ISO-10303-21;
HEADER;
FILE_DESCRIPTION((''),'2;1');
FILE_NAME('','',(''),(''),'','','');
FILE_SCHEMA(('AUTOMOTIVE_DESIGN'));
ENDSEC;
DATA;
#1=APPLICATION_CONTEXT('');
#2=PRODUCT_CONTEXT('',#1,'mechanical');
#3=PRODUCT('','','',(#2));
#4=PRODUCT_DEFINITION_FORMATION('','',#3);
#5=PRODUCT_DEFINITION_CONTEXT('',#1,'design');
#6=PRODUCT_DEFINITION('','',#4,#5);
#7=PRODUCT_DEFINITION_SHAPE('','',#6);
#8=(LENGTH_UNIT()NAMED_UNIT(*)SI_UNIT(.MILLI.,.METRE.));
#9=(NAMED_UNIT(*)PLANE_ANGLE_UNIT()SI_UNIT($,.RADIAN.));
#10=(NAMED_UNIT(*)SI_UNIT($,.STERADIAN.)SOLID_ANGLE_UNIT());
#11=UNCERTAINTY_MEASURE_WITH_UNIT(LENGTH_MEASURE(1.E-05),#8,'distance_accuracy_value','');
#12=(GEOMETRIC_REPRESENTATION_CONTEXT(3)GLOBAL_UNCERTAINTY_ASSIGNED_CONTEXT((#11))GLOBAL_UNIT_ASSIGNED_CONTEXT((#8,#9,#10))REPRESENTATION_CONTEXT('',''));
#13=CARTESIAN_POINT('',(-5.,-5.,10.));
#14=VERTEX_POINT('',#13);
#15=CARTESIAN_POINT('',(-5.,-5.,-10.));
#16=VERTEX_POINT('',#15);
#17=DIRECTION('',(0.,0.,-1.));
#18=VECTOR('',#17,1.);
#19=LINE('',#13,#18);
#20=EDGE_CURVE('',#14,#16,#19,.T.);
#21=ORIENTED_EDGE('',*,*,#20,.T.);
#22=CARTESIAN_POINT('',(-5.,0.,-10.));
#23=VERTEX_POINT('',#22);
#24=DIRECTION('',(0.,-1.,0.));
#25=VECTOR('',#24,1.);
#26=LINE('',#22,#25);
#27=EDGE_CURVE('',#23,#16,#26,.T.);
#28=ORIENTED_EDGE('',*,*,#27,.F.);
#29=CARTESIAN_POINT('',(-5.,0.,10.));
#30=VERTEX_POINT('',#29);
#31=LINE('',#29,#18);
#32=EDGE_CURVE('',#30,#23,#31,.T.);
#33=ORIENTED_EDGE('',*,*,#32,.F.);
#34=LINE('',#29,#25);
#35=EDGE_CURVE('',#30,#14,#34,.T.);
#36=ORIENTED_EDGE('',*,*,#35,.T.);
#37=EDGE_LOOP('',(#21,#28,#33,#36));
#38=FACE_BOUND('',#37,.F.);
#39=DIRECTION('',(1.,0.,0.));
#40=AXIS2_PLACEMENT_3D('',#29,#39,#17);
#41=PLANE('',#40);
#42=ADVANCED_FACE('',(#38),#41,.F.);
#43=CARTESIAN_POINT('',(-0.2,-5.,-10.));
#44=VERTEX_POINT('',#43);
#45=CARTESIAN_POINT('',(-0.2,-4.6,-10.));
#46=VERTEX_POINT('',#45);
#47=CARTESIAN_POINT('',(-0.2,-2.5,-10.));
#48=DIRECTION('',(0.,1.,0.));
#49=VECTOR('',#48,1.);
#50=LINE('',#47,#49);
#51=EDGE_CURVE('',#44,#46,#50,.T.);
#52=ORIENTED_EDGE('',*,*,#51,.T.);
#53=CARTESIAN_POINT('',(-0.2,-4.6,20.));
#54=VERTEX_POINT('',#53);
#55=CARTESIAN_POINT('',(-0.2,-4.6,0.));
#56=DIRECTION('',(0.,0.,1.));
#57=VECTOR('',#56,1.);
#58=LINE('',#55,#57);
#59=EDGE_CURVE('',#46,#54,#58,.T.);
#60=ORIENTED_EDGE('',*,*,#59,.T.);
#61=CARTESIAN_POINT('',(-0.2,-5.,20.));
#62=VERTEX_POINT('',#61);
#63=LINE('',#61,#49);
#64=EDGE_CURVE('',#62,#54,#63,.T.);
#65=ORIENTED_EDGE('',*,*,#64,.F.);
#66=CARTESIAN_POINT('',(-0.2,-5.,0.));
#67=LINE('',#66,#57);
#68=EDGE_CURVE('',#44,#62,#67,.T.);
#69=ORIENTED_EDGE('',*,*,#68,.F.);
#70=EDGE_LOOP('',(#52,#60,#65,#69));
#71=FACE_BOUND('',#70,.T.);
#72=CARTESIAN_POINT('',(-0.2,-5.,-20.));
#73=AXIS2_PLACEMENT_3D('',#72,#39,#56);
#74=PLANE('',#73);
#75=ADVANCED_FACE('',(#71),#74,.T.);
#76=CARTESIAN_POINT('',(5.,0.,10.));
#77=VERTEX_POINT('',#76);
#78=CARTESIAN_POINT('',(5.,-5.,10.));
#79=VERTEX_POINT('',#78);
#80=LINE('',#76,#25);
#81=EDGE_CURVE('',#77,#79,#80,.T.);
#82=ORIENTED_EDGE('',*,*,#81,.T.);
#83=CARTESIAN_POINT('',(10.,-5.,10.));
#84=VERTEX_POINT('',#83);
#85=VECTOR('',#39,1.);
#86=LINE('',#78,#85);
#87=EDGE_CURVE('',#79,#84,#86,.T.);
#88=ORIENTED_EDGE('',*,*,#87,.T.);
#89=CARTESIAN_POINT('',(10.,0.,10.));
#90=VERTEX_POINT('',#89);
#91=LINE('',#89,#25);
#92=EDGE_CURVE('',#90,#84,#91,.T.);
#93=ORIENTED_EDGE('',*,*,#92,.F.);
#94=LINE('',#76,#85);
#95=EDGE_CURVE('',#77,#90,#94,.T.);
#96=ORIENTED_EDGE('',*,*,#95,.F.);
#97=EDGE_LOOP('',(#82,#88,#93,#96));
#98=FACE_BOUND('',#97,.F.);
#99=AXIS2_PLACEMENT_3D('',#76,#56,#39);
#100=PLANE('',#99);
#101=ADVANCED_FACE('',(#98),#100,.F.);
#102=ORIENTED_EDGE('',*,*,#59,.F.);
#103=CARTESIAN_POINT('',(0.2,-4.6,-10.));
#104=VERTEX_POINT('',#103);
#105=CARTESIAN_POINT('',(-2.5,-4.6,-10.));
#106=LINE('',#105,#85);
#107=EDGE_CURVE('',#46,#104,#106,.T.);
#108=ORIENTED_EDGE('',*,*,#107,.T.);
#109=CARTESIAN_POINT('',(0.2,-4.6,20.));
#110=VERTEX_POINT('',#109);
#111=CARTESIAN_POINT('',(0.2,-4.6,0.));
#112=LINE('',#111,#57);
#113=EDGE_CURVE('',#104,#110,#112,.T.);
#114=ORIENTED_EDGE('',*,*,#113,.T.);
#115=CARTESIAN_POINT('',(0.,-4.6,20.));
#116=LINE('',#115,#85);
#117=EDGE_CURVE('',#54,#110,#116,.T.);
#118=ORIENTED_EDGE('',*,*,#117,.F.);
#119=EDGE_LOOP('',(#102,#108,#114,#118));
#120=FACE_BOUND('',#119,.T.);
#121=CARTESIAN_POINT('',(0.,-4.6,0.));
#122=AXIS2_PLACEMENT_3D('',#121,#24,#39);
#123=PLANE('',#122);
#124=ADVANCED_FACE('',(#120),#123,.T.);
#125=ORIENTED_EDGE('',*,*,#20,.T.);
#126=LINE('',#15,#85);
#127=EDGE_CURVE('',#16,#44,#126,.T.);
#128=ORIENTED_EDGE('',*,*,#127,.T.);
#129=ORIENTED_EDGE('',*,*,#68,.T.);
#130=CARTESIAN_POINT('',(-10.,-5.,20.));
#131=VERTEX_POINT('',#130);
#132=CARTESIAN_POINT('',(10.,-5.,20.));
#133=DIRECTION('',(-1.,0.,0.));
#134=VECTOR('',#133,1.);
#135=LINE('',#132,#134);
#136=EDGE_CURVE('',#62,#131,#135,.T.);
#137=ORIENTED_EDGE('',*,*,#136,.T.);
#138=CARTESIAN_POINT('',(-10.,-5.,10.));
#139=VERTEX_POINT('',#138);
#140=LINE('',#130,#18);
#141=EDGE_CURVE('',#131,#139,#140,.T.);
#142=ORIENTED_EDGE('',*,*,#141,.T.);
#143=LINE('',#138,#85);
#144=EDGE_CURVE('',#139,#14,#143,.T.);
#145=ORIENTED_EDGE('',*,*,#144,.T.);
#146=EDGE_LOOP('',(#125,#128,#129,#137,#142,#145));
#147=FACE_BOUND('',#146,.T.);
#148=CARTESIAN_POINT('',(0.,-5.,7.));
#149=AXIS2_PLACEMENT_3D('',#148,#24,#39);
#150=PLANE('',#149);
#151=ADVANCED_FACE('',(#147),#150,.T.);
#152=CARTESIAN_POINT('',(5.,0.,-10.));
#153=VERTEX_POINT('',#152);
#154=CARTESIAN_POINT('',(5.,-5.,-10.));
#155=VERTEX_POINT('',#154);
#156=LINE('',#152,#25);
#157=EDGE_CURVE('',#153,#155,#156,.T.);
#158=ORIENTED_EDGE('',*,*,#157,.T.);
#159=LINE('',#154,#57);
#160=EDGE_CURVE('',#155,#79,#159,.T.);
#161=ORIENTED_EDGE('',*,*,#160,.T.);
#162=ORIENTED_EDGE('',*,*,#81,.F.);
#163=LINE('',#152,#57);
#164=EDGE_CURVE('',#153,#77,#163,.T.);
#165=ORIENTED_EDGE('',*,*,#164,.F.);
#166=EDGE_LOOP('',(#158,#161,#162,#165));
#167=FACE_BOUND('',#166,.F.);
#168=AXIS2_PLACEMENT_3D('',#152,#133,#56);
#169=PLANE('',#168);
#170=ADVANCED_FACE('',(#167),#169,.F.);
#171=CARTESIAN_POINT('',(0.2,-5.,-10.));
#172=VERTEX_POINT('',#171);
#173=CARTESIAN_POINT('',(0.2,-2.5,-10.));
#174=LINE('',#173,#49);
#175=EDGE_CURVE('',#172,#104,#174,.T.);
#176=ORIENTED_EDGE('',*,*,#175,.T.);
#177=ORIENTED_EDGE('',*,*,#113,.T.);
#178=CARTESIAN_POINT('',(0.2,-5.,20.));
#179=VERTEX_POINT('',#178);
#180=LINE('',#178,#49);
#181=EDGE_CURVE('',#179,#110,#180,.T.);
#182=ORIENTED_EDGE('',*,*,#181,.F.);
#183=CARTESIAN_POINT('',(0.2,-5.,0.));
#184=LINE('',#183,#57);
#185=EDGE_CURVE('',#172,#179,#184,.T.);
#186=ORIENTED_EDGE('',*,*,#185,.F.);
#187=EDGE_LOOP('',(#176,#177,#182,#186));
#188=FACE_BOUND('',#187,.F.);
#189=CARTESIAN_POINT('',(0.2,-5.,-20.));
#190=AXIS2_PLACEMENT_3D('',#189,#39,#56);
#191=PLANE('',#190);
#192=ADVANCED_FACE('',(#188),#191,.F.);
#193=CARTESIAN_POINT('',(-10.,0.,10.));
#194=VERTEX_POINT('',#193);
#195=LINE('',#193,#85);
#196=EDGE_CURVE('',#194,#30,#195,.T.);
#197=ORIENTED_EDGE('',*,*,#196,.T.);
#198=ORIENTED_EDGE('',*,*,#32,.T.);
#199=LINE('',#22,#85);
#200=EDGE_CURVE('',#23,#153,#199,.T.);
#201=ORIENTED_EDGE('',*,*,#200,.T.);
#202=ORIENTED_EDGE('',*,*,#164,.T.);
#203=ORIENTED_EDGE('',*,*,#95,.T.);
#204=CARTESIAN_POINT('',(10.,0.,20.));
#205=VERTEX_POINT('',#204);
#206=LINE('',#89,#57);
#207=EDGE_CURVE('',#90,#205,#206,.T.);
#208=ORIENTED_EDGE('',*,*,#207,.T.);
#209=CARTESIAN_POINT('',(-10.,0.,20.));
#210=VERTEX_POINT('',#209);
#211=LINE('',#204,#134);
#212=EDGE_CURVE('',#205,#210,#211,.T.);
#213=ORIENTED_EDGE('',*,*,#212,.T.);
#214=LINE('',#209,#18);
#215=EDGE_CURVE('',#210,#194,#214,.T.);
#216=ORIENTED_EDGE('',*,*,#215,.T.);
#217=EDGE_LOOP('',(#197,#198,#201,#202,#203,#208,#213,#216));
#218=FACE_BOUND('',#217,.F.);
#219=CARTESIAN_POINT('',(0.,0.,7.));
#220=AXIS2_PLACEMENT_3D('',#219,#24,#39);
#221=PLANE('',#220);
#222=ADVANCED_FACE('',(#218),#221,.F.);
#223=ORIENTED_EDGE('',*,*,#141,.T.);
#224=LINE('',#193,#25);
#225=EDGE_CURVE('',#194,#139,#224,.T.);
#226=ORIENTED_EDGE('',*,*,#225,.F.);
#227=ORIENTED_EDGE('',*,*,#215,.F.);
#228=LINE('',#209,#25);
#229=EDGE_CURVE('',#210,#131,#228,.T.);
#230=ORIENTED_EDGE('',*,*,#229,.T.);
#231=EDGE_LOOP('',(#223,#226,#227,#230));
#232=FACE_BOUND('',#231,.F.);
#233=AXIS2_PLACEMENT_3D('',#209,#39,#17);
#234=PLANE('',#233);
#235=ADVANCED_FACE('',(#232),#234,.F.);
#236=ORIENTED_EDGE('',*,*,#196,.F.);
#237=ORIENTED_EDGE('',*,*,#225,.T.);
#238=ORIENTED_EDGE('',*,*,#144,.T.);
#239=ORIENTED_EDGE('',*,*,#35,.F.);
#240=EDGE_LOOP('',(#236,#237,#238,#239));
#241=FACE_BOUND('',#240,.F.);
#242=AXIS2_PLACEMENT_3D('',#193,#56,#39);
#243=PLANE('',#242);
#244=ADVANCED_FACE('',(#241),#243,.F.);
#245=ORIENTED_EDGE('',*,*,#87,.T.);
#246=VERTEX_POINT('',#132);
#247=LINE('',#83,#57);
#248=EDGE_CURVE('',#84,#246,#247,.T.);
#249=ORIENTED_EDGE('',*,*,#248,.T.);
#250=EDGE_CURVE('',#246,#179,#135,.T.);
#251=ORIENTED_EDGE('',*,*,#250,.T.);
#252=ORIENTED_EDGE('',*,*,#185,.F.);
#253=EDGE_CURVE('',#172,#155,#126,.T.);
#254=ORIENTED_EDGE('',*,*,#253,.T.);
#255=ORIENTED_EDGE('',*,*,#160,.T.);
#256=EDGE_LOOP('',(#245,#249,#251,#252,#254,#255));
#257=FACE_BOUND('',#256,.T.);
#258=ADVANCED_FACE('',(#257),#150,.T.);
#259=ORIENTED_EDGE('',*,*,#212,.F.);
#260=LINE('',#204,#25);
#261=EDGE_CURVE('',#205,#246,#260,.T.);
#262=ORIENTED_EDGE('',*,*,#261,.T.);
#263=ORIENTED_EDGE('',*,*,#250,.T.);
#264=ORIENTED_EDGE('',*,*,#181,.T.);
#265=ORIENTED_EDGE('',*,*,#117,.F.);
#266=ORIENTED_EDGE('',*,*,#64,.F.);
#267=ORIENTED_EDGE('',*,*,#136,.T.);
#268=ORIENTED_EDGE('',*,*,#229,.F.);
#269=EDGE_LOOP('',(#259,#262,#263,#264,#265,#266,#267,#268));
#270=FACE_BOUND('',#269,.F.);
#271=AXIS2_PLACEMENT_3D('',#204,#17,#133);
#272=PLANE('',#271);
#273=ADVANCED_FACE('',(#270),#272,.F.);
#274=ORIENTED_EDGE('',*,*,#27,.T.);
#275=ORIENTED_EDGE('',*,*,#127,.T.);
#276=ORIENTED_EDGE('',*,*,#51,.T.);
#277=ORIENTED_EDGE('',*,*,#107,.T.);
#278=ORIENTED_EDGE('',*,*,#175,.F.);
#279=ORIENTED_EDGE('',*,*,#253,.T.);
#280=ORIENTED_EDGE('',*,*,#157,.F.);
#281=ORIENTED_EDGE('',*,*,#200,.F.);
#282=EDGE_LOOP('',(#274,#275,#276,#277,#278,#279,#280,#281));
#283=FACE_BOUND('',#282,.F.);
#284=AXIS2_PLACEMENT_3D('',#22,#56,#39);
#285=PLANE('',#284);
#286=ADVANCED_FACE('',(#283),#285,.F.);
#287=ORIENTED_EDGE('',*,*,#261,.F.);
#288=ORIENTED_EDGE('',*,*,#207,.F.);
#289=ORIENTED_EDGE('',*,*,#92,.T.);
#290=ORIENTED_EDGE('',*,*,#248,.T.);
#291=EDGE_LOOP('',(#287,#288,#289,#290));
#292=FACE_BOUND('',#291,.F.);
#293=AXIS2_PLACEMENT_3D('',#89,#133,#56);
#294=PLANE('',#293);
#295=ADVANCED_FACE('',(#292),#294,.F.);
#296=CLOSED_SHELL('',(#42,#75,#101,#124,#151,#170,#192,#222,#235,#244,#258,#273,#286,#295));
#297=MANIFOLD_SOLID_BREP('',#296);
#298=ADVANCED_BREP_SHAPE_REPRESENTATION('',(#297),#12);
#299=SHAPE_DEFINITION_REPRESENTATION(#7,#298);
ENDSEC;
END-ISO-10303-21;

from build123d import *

# Parameters (mm, degrees)
F1_DEPTH = 5
F2_W     = 0.4
F2_H     = 40
F3_DEPTH = 0.4


with BuildPart() as f1:
    # F0 (on Front) → F1 (new body)
    with BuildSketch(Plane.XZ):
        Polygon((-5, -10), (5, -10), (5, 10), (10, 10), (10, 20), (-10, 20), (-10, 10), (-5, 10), align=None)
    extrude(amount=F1_DEPTH)

    # F2 (on face) → F3 (cut)
    with BuildSketch(Plane.XZ.offset(5)):
        Rectangle(F2_W, F2_H)
    extrude(amount=-F3_DEPTH, mode=Mode.SUBTRACT)


solid = f1.part
